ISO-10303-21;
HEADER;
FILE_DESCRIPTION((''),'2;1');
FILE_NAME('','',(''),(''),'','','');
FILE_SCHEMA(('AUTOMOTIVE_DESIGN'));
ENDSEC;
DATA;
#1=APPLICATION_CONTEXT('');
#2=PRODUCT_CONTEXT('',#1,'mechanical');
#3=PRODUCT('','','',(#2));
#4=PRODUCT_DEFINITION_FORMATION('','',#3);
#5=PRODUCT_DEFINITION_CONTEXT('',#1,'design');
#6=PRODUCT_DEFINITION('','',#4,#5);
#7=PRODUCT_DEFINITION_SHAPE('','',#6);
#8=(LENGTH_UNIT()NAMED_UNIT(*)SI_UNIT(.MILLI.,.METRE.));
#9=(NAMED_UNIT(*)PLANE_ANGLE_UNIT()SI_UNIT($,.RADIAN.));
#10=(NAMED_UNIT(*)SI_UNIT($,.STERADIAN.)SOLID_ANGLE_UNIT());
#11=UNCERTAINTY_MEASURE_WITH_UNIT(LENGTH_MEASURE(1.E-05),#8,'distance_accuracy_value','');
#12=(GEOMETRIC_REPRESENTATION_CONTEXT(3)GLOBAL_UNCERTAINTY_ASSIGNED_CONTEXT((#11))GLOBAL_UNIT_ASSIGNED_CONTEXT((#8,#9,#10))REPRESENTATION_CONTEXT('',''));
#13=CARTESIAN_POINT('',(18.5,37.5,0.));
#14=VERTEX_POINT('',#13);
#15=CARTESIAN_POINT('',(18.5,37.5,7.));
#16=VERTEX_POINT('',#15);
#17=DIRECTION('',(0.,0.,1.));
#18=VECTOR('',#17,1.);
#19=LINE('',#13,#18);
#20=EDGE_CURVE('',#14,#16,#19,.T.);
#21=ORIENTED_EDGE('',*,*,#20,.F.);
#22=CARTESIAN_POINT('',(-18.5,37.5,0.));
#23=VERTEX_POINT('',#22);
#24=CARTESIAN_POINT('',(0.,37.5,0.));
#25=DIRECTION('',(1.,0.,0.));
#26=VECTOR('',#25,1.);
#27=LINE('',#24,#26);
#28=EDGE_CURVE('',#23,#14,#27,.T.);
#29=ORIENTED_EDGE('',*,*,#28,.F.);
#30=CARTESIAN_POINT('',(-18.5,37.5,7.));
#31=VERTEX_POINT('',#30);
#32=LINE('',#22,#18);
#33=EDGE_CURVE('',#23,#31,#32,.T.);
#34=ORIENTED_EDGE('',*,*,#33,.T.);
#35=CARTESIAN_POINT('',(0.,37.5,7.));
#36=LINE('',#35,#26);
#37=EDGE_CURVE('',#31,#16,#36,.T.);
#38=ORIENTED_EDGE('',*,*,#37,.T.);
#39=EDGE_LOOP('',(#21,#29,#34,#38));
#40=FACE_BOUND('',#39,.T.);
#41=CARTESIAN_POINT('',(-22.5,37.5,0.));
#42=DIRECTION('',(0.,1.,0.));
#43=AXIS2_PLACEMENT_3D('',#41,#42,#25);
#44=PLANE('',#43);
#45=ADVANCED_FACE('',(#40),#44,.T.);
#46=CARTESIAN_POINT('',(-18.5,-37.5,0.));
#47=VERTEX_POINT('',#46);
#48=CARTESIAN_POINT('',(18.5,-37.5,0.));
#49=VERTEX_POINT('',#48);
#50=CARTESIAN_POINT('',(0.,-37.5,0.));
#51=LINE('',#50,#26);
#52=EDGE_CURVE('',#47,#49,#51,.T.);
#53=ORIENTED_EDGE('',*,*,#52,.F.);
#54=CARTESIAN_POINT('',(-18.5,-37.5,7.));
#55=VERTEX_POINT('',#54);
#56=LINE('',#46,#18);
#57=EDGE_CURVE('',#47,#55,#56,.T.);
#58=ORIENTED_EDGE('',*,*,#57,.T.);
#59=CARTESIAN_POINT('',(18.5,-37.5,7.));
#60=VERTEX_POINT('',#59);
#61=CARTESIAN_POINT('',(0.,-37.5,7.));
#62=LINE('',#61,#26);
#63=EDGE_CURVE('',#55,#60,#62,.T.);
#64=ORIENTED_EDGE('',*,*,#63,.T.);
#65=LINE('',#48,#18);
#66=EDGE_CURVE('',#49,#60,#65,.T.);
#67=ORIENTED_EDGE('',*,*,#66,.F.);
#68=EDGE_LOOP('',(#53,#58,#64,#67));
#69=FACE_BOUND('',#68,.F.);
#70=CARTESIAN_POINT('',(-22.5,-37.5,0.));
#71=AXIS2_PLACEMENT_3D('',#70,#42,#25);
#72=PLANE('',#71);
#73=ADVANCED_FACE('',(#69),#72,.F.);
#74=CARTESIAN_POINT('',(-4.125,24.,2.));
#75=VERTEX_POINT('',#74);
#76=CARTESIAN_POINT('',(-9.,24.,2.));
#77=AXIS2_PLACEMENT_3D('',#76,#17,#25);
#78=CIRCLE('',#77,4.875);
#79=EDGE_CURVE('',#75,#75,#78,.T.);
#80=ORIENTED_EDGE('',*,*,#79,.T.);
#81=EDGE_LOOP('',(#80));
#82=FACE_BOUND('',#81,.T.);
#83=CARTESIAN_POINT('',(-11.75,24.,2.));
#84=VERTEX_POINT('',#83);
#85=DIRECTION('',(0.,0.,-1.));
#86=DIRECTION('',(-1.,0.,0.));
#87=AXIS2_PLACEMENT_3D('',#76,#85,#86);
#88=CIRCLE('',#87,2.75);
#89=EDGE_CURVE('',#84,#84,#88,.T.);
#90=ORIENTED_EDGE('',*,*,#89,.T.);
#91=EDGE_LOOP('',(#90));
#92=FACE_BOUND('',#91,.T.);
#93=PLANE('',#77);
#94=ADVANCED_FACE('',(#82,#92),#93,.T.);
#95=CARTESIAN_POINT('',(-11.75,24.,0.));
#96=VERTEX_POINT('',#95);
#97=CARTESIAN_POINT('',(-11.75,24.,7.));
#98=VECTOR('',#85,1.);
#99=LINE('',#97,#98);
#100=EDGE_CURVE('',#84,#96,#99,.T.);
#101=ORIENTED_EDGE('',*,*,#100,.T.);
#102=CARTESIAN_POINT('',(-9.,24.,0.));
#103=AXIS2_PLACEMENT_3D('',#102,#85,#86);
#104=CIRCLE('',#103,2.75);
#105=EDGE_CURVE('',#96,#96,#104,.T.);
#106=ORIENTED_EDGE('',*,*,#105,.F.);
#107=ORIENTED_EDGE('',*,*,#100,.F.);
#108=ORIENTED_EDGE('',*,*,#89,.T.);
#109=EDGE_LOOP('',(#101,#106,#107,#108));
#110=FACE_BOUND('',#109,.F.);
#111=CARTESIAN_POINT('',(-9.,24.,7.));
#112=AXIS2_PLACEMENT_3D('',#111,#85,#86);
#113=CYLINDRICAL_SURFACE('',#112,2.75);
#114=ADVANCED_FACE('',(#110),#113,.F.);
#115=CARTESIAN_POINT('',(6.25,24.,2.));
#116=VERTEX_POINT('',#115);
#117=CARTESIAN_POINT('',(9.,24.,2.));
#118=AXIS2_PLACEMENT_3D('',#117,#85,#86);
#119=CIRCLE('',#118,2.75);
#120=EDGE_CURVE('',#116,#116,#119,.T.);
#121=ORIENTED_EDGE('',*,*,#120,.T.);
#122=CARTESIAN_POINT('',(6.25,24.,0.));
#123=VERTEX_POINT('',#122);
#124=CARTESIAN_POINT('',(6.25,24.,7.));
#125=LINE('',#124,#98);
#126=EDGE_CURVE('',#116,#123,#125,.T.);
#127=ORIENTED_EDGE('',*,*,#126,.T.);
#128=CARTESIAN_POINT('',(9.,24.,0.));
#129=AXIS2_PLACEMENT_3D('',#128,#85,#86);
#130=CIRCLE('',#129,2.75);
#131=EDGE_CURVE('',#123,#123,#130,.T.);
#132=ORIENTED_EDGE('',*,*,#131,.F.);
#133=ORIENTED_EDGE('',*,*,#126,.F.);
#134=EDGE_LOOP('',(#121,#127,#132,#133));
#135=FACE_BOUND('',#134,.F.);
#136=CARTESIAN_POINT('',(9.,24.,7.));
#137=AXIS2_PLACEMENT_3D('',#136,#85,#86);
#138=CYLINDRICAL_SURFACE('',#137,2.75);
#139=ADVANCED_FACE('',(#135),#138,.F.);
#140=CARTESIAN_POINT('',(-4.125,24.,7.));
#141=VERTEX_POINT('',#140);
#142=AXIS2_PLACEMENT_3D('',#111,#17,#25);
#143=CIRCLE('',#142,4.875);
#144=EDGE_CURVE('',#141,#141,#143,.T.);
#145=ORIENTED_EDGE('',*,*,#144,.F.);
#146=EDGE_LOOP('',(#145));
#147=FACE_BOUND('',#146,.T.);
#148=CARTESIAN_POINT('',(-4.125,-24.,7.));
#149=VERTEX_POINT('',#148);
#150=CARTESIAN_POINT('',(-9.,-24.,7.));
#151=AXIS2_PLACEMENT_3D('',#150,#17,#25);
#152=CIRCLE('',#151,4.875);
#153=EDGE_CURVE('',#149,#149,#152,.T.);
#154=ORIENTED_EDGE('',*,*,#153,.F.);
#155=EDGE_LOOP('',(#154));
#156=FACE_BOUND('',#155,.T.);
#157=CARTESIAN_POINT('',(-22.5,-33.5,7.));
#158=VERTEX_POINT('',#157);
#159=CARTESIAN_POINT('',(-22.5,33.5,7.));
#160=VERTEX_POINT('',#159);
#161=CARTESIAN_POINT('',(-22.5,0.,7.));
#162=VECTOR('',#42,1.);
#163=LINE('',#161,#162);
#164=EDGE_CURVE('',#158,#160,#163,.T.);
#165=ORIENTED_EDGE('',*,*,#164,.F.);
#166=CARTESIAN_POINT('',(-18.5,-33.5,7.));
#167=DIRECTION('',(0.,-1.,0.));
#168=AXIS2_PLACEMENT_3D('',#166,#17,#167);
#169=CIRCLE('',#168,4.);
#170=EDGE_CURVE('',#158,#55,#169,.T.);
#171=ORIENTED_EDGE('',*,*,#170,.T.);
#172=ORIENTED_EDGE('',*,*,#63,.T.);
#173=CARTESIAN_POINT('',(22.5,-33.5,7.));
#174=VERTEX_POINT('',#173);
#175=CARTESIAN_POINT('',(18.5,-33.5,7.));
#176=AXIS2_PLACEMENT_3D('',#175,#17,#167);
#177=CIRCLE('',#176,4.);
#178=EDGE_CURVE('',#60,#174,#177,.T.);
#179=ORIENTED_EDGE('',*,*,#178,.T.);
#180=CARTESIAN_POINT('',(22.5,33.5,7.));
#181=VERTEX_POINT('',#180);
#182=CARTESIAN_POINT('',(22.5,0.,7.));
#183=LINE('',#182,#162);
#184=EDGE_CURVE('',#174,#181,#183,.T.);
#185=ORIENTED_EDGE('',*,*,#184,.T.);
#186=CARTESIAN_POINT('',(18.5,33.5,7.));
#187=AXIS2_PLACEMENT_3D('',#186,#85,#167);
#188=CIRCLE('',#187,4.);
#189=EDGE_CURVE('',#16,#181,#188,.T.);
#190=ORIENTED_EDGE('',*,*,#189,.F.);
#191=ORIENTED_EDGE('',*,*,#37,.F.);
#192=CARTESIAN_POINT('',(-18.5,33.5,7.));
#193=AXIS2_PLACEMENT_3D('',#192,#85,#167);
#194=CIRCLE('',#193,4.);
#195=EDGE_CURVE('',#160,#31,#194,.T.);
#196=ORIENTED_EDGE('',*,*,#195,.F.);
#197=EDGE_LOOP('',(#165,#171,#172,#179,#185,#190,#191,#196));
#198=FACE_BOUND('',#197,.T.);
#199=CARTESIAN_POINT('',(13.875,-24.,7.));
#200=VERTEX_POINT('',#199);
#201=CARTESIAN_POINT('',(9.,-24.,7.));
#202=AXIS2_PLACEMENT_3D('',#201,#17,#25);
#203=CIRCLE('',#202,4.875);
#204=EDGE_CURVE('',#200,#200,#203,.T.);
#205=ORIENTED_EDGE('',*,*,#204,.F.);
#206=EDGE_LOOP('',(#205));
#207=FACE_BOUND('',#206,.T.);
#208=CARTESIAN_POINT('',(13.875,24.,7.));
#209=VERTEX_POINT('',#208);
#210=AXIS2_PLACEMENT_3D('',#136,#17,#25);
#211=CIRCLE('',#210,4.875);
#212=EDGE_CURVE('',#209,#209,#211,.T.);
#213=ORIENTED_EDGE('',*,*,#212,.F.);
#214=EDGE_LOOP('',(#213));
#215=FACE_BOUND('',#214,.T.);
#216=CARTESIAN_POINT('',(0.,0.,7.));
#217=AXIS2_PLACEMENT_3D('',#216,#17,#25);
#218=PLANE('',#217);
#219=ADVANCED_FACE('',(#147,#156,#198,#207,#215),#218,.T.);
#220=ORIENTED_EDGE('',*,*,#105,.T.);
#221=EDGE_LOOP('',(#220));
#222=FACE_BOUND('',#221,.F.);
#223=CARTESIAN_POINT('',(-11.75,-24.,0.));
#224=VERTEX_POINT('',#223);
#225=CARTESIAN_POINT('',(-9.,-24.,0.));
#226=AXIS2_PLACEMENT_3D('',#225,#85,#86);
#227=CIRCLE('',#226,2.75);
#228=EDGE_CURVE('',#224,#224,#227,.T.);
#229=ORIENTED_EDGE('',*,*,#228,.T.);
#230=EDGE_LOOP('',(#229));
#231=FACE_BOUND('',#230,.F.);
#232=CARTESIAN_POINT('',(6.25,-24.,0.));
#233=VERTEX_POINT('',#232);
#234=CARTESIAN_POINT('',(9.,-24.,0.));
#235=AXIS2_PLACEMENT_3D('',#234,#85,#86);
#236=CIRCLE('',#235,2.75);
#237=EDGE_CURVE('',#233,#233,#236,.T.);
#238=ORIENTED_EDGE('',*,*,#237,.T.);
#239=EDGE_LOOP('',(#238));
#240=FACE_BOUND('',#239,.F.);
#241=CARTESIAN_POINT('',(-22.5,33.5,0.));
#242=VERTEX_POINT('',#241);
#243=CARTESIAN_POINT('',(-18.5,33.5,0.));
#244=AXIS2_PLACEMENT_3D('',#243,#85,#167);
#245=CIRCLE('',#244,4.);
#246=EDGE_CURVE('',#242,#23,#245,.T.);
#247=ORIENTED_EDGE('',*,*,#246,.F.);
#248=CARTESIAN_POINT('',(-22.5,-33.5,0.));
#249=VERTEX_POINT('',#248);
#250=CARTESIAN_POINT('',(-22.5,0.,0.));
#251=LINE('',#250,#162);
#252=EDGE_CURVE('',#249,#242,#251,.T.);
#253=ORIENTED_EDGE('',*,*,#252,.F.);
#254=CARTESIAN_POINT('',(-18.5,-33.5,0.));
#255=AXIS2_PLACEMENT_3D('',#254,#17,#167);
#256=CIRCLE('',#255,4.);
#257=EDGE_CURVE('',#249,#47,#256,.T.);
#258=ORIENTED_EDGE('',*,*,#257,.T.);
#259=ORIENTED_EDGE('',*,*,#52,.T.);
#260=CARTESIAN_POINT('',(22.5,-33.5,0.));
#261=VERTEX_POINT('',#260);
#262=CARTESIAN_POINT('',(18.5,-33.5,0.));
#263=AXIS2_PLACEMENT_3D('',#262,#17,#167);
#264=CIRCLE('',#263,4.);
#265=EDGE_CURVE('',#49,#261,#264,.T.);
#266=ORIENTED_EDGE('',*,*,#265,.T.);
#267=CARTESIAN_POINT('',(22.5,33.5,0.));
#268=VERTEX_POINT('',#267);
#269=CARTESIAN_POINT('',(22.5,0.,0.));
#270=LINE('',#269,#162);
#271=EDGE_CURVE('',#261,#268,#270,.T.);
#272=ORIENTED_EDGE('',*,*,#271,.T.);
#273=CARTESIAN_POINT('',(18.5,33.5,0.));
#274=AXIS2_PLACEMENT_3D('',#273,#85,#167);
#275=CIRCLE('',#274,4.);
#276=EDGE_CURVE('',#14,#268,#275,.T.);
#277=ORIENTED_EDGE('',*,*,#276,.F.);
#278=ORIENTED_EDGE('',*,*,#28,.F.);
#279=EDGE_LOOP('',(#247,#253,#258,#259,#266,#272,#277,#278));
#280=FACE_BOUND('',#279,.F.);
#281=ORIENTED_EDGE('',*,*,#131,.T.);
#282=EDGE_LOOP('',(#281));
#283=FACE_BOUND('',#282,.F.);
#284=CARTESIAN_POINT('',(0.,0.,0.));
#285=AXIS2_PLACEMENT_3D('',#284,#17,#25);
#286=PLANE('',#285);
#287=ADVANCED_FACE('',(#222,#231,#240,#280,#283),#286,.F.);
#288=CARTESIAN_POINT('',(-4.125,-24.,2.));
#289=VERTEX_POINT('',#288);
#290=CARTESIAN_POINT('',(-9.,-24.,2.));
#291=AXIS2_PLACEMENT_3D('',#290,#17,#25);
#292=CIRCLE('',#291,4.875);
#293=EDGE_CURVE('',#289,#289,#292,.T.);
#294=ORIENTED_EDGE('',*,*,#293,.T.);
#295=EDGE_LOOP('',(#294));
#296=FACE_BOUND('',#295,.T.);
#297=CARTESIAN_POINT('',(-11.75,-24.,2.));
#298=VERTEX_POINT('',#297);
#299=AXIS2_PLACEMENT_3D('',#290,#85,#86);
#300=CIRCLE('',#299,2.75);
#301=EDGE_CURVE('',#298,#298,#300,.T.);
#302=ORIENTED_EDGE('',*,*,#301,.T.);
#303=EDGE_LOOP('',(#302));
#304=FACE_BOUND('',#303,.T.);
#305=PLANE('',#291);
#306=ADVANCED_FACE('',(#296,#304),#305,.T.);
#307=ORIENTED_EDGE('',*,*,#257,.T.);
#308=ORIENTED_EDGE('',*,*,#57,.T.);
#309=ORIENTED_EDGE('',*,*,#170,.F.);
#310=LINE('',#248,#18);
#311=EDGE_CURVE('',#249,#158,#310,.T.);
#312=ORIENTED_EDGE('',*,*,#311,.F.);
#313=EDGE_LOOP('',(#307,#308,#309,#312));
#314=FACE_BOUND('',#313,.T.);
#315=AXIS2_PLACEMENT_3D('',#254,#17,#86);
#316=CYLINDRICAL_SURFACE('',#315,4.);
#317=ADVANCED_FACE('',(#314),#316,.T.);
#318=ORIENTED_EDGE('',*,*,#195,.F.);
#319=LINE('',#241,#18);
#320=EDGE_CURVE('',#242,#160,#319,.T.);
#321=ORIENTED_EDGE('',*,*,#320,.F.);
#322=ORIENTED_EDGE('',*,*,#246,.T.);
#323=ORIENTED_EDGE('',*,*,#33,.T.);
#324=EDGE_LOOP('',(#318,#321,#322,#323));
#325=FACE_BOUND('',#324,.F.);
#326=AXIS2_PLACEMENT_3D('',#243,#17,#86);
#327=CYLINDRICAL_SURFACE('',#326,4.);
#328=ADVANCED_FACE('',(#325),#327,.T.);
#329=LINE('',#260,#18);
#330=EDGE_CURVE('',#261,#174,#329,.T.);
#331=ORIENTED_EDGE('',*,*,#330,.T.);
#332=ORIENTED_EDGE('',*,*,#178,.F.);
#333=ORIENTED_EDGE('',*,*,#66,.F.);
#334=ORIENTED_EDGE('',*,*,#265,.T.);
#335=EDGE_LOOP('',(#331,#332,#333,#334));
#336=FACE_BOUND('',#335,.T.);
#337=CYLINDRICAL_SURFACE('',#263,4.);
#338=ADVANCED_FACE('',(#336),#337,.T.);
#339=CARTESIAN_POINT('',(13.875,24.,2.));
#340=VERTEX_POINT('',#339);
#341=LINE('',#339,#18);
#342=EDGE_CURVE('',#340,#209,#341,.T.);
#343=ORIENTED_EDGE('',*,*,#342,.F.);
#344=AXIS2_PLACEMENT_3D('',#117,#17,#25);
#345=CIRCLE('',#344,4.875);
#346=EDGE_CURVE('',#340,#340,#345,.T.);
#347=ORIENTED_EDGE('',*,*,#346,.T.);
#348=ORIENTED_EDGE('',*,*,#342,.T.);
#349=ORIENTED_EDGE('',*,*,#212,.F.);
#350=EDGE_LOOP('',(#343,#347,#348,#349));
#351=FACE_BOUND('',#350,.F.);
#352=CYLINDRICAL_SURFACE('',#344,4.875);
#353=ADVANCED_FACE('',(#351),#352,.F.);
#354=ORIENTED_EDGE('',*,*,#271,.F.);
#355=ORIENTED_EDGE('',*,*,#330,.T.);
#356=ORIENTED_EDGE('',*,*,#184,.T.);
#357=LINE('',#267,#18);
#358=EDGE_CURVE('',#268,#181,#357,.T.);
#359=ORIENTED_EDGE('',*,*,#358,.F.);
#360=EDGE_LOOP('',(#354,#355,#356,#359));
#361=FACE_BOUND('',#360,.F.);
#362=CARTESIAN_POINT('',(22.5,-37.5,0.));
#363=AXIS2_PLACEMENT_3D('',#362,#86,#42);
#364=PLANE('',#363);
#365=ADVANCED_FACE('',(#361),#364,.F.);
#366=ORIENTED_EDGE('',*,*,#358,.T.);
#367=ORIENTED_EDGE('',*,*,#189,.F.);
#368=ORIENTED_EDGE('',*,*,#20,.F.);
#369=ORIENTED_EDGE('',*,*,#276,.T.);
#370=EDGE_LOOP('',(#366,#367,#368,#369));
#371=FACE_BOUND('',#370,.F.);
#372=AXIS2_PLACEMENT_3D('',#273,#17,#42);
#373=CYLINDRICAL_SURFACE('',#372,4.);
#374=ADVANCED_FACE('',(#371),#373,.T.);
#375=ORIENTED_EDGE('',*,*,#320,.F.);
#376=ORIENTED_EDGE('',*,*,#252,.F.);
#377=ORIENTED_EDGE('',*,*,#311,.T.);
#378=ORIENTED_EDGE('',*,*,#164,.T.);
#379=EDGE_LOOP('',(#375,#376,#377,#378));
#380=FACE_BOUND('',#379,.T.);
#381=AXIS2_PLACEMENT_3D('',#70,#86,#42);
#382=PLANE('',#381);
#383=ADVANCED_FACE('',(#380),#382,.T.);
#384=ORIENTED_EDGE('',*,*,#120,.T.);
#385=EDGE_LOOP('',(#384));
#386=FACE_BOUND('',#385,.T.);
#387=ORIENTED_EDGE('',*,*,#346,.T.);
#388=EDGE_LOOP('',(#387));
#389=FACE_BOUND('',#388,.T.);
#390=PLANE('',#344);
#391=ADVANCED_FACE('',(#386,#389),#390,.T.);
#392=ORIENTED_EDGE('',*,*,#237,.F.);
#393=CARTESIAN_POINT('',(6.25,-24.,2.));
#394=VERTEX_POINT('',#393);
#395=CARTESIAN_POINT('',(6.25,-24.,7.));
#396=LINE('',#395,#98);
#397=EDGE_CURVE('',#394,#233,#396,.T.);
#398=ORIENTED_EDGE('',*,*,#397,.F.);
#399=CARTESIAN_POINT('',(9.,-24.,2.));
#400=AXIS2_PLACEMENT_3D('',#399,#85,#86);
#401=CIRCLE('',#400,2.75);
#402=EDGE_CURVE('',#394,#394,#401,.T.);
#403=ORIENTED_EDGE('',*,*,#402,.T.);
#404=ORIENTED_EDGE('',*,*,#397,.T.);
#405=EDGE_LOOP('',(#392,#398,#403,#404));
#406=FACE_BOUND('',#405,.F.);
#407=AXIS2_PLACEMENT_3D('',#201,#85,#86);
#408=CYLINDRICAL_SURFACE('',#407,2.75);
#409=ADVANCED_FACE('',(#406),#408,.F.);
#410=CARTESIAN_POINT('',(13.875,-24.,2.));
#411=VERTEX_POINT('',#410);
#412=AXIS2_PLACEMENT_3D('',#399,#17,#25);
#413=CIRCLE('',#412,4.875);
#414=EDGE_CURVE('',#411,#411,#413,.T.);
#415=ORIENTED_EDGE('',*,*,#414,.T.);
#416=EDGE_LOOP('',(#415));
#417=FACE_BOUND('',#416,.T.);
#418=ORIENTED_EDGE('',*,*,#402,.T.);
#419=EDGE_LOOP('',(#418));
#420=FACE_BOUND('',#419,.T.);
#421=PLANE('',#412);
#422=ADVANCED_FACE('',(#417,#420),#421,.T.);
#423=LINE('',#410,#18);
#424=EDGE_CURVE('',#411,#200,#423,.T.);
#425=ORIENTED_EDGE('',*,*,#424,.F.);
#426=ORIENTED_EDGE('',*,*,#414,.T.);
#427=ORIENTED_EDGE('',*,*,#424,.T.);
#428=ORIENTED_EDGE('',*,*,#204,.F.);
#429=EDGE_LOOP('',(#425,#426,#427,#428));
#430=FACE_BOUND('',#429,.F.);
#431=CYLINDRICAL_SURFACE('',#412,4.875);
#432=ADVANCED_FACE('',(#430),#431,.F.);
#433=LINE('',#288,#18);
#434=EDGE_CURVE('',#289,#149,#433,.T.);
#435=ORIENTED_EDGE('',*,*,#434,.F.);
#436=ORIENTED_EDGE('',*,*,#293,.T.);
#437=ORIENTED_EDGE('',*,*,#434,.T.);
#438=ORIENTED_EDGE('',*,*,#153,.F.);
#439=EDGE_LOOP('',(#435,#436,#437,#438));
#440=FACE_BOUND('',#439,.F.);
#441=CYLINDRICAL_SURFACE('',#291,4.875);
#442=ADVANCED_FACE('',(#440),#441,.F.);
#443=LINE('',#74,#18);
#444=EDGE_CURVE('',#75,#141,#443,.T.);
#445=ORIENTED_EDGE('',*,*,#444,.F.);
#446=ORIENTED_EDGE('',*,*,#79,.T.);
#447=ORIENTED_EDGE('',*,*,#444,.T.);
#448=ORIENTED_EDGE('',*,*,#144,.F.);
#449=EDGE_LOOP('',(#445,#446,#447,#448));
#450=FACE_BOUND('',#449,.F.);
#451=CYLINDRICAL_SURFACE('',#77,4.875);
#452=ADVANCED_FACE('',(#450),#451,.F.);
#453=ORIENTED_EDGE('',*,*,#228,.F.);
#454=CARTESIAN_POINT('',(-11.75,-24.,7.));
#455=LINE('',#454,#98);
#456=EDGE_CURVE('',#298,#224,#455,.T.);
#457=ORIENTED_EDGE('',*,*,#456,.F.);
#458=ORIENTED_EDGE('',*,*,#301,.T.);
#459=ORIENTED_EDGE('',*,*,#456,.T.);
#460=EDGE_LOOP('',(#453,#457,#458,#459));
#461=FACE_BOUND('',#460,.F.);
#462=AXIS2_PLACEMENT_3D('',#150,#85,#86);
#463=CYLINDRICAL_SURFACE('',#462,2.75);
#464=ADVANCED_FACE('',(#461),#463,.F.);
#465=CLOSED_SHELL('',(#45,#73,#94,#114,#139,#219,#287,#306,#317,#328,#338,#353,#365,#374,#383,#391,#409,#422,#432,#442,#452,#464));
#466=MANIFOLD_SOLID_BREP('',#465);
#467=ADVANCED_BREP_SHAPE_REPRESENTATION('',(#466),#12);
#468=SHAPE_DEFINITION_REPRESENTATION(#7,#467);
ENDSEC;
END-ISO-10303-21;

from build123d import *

# Parameters (mm, degrees)
F0_W           = 45
F0_H           = 75
F1_DEPTH       = 7
F3_D           = 5.5
F3_CBORE_D     = 9.75
F3_CBORE_DEPTH = 5
F4_R           = 4


with BuildPart() as f1:
    # F0 (on Top) → F1 (new body)
    with BuildSketch(Plane.XY):
        Rectangle(F0_W, F0_H)
    extrude(amount=F1_DEPTH)

    # F3 (through all)
    with Locations(Plane.XY.offset(7)):
        with Locations((-9, -24), (9, -24), (9, 24), (-9, 24)):
            CounterBoreHole(F3_D / 2, F3_CBORE_D / 2, F3_CBORE_DEPTH)

    # F4
    f4_edges = [f1.edges().sort_by_distance(p)[0] for p in [
        (22.5, -37.5, 3.5),
        (-22.5, -37.5, 3.5),
        (22.5, 37.5, 3.5),
        (-22.5, 37.5, 3.5),
    ]]
    fillet(f4_edges, radius=F4_R)


solid = f1.part
